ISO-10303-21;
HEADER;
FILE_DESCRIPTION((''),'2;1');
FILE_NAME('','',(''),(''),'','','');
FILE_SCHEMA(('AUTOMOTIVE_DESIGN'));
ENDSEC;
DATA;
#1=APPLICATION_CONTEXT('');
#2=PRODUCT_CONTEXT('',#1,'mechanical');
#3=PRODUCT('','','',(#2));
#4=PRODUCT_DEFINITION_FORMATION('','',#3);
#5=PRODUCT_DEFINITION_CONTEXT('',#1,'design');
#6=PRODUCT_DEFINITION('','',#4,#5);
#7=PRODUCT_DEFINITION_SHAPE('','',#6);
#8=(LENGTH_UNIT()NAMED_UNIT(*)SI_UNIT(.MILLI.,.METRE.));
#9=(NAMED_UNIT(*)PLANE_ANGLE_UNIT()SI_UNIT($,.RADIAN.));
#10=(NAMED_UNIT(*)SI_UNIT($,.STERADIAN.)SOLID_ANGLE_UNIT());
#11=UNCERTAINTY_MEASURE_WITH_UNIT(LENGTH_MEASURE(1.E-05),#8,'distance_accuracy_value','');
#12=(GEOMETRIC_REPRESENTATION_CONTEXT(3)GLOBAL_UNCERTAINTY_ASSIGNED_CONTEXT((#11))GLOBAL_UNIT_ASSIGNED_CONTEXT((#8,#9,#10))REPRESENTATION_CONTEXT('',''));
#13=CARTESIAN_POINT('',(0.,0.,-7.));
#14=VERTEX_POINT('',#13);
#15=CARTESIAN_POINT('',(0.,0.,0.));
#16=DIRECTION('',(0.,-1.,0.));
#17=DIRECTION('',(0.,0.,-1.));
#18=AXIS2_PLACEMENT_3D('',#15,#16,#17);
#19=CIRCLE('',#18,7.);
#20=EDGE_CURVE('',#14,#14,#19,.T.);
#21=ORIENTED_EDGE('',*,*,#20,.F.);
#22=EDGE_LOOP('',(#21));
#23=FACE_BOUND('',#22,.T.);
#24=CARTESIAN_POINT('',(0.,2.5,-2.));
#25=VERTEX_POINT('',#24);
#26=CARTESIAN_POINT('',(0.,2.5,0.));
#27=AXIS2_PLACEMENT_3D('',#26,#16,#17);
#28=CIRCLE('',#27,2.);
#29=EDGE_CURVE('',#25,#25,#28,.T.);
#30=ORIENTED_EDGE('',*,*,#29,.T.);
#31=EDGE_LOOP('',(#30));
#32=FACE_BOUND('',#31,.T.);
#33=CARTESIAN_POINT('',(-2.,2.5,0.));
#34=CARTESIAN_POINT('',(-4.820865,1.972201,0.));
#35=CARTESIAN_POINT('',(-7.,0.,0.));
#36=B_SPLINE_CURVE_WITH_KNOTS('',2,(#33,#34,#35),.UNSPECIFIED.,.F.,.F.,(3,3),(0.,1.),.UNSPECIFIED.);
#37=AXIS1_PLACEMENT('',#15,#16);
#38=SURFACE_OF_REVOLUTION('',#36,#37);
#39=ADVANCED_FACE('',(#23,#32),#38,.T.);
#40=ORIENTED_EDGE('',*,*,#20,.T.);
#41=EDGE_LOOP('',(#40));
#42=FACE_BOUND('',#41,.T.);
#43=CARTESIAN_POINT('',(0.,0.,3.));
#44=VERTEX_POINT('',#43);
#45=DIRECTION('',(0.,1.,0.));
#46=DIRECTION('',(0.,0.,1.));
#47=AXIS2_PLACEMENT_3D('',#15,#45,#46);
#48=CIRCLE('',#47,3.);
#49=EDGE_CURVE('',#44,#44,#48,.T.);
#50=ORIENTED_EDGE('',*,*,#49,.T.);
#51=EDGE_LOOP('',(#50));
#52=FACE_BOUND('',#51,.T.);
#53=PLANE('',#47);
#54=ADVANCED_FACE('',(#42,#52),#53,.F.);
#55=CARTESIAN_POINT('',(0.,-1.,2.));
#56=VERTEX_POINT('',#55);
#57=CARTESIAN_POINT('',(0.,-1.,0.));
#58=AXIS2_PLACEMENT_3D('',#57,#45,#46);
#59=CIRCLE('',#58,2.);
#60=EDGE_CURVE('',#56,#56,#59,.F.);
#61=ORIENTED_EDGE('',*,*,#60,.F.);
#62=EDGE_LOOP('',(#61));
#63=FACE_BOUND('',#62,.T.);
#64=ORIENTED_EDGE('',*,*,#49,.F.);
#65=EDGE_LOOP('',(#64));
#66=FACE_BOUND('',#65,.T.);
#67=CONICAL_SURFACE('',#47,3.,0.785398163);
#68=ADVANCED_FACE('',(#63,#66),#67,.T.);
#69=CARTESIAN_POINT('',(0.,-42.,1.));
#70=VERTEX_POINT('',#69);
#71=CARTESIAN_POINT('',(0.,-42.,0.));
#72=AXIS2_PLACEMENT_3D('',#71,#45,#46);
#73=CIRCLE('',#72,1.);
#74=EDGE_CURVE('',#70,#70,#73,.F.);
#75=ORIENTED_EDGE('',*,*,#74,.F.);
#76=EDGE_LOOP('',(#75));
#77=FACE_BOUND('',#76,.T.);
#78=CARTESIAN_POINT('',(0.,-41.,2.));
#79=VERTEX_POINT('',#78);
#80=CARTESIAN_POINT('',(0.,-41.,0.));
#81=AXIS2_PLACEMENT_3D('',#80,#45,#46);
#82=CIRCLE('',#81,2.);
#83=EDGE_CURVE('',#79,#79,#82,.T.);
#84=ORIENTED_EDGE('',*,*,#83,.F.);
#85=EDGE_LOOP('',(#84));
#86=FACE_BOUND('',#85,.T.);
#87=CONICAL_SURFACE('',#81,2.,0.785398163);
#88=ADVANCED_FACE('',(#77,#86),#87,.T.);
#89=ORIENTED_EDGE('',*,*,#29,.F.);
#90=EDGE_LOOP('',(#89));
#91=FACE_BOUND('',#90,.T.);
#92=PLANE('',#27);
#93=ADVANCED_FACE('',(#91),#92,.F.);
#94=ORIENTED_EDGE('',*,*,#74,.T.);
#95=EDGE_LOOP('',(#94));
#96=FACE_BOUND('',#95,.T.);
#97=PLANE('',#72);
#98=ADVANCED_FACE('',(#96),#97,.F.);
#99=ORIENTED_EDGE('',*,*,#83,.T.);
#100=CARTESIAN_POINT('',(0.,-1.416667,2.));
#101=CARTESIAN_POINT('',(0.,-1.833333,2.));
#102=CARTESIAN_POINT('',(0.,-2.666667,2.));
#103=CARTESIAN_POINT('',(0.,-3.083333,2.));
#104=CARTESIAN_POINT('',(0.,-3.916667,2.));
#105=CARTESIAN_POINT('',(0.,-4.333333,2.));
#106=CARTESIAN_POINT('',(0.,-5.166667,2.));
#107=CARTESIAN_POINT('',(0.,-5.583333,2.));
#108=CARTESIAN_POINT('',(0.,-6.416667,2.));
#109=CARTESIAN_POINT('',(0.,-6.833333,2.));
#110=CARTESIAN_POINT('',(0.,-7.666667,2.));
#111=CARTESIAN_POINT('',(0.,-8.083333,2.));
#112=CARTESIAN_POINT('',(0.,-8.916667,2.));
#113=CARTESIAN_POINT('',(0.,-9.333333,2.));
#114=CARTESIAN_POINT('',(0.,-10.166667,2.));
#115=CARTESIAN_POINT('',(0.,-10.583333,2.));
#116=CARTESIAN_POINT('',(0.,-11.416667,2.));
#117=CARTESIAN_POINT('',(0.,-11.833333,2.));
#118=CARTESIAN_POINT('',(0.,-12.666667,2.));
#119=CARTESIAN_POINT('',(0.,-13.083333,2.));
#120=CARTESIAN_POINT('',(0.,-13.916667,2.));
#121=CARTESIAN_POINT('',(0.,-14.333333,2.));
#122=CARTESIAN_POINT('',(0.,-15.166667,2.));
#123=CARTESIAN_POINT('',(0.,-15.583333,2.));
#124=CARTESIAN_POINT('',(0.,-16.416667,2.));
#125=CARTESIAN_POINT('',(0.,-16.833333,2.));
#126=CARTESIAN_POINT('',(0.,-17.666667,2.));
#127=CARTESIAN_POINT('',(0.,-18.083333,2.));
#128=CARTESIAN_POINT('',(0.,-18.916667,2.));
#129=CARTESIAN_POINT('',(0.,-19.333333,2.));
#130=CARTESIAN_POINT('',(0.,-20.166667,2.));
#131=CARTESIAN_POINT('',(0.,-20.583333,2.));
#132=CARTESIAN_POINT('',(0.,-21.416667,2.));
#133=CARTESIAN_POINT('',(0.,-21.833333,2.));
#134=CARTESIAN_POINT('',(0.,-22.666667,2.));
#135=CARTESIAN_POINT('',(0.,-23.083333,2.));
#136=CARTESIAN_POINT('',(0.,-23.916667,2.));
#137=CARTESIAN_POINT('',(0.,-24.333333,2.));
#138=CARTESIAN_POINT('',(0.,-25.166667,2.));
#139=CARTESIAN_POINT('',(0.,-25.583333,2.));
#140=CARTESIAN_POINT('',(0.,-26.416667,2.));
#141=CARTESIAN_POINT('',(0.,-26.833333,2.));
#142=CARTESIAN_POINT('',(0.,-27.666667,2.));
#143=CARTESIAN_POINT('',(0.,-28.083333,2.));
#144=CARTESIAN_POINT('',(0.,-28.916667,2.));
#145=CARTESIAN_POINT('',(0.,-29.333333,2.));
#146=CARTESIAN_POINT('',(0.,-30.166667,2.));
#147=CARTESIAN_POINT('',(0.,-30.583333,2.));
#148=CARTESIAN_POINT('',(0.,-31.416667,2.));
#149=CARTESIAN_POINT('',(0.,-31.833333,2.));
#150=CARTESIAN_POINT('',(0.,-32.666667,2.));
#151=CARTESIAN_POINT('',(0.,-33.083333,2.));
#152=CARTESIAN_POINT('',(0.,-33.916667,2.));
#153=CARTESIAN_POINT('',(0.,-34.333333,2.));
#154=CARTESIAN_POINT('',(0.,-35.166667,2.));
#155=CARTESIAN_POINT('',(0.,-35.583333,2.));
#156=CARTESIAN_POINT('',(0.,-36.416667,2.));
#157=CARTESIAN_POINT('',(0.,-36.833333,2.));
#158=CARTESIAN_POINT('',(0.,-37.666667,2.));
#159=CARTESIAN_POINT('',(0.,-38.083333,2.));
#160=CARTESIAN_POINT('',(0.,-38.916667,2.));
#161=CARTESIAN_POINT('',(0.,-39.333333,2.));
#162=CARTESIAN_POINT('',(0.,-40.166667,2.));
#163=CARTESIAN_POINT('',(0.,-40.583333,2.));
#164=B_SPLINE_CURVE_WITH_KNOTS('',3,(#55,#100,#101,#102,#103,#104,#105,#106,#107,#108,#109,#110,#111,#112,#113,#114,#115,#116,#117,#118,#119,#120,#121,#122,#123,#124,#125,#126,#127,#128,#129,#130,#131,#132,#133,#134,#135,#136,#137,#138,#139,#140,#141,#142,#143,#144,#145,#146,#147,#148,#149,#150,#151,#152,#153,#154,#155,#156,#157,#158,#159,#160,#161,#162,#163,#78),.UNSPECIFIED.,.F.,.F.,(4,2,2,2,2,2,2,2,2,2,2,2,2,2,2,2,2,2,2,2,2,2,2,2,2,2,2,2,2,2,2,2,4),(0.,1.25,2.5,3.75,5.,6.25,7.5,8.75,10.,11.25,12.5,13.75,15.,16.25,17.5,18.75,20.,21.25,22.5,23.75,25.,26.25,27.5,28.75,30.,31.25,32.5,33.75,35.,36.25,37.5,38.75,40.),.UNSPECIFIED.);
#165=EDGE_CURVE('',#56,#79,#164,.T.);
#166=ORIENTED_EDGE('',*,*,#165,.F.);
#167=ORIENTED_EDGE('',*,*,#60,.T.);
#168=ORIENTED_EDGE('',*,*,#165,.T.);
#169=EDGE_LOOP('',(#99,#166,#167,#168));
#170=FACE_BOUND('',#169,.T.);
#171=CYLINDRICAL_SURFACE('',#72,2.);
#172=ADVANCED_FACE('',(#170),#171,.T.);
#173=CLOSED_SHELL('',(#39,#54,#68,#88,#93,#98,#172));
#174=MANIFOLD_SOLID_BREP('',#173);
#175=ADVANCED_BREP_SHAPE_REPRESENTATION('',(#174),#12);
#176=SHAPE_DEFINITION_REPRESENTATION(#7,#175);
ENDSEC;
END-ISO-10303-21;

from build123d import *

# Parameters (mm, degrees)
SKETCH_19_R     = 2
EXTRUDE_1_DEPTH = 42
CHAMFER_1_SIZE  = 1


with BuildPart() as part:
    # 草图16 → 旋转1 (revolve)
    with BuildSketch(Plane.XY):
        with BuildLine():
            Line((0, 0), (-7, 0))
            add(Edge.make_bspline(
                [(-2, 2.5), (-4.820865147, 1.972200791), (-7, 0)],
                knots=[0, 0, 0, 1, 1, 1], degree=2))
            Line((-2, 2.5), (0, 2.5))
            Line((0, 2.5), (0, 0))
        make_face()
    revolve(axis=Axis((0, 0, 0), (0, 1, 0)))

    # 草图19 → 凸台-拉伸1 (add)
    with BuildSketch(Plane(origin=(0, 0, 0), x_dir=(1, 0, 0), z_dir=(0, 1, 0))):
        with Locations(Location((0, 0, 0), (0, 0, 270))):
            Circle(SKETCH_19_R)
    extrude(amount=-EXTRUDE_1_DEPTH)

    # 倒角1
    chamfer_1_edges = [part.edges().sort_by_distance(p)[0] for p in [
        (0, -42, -2),
        (0, 0, -2),
    ]]
    chamfer(chamfer_1_edges, length=CHAMFER_1_SIZE)


solid = part.part
